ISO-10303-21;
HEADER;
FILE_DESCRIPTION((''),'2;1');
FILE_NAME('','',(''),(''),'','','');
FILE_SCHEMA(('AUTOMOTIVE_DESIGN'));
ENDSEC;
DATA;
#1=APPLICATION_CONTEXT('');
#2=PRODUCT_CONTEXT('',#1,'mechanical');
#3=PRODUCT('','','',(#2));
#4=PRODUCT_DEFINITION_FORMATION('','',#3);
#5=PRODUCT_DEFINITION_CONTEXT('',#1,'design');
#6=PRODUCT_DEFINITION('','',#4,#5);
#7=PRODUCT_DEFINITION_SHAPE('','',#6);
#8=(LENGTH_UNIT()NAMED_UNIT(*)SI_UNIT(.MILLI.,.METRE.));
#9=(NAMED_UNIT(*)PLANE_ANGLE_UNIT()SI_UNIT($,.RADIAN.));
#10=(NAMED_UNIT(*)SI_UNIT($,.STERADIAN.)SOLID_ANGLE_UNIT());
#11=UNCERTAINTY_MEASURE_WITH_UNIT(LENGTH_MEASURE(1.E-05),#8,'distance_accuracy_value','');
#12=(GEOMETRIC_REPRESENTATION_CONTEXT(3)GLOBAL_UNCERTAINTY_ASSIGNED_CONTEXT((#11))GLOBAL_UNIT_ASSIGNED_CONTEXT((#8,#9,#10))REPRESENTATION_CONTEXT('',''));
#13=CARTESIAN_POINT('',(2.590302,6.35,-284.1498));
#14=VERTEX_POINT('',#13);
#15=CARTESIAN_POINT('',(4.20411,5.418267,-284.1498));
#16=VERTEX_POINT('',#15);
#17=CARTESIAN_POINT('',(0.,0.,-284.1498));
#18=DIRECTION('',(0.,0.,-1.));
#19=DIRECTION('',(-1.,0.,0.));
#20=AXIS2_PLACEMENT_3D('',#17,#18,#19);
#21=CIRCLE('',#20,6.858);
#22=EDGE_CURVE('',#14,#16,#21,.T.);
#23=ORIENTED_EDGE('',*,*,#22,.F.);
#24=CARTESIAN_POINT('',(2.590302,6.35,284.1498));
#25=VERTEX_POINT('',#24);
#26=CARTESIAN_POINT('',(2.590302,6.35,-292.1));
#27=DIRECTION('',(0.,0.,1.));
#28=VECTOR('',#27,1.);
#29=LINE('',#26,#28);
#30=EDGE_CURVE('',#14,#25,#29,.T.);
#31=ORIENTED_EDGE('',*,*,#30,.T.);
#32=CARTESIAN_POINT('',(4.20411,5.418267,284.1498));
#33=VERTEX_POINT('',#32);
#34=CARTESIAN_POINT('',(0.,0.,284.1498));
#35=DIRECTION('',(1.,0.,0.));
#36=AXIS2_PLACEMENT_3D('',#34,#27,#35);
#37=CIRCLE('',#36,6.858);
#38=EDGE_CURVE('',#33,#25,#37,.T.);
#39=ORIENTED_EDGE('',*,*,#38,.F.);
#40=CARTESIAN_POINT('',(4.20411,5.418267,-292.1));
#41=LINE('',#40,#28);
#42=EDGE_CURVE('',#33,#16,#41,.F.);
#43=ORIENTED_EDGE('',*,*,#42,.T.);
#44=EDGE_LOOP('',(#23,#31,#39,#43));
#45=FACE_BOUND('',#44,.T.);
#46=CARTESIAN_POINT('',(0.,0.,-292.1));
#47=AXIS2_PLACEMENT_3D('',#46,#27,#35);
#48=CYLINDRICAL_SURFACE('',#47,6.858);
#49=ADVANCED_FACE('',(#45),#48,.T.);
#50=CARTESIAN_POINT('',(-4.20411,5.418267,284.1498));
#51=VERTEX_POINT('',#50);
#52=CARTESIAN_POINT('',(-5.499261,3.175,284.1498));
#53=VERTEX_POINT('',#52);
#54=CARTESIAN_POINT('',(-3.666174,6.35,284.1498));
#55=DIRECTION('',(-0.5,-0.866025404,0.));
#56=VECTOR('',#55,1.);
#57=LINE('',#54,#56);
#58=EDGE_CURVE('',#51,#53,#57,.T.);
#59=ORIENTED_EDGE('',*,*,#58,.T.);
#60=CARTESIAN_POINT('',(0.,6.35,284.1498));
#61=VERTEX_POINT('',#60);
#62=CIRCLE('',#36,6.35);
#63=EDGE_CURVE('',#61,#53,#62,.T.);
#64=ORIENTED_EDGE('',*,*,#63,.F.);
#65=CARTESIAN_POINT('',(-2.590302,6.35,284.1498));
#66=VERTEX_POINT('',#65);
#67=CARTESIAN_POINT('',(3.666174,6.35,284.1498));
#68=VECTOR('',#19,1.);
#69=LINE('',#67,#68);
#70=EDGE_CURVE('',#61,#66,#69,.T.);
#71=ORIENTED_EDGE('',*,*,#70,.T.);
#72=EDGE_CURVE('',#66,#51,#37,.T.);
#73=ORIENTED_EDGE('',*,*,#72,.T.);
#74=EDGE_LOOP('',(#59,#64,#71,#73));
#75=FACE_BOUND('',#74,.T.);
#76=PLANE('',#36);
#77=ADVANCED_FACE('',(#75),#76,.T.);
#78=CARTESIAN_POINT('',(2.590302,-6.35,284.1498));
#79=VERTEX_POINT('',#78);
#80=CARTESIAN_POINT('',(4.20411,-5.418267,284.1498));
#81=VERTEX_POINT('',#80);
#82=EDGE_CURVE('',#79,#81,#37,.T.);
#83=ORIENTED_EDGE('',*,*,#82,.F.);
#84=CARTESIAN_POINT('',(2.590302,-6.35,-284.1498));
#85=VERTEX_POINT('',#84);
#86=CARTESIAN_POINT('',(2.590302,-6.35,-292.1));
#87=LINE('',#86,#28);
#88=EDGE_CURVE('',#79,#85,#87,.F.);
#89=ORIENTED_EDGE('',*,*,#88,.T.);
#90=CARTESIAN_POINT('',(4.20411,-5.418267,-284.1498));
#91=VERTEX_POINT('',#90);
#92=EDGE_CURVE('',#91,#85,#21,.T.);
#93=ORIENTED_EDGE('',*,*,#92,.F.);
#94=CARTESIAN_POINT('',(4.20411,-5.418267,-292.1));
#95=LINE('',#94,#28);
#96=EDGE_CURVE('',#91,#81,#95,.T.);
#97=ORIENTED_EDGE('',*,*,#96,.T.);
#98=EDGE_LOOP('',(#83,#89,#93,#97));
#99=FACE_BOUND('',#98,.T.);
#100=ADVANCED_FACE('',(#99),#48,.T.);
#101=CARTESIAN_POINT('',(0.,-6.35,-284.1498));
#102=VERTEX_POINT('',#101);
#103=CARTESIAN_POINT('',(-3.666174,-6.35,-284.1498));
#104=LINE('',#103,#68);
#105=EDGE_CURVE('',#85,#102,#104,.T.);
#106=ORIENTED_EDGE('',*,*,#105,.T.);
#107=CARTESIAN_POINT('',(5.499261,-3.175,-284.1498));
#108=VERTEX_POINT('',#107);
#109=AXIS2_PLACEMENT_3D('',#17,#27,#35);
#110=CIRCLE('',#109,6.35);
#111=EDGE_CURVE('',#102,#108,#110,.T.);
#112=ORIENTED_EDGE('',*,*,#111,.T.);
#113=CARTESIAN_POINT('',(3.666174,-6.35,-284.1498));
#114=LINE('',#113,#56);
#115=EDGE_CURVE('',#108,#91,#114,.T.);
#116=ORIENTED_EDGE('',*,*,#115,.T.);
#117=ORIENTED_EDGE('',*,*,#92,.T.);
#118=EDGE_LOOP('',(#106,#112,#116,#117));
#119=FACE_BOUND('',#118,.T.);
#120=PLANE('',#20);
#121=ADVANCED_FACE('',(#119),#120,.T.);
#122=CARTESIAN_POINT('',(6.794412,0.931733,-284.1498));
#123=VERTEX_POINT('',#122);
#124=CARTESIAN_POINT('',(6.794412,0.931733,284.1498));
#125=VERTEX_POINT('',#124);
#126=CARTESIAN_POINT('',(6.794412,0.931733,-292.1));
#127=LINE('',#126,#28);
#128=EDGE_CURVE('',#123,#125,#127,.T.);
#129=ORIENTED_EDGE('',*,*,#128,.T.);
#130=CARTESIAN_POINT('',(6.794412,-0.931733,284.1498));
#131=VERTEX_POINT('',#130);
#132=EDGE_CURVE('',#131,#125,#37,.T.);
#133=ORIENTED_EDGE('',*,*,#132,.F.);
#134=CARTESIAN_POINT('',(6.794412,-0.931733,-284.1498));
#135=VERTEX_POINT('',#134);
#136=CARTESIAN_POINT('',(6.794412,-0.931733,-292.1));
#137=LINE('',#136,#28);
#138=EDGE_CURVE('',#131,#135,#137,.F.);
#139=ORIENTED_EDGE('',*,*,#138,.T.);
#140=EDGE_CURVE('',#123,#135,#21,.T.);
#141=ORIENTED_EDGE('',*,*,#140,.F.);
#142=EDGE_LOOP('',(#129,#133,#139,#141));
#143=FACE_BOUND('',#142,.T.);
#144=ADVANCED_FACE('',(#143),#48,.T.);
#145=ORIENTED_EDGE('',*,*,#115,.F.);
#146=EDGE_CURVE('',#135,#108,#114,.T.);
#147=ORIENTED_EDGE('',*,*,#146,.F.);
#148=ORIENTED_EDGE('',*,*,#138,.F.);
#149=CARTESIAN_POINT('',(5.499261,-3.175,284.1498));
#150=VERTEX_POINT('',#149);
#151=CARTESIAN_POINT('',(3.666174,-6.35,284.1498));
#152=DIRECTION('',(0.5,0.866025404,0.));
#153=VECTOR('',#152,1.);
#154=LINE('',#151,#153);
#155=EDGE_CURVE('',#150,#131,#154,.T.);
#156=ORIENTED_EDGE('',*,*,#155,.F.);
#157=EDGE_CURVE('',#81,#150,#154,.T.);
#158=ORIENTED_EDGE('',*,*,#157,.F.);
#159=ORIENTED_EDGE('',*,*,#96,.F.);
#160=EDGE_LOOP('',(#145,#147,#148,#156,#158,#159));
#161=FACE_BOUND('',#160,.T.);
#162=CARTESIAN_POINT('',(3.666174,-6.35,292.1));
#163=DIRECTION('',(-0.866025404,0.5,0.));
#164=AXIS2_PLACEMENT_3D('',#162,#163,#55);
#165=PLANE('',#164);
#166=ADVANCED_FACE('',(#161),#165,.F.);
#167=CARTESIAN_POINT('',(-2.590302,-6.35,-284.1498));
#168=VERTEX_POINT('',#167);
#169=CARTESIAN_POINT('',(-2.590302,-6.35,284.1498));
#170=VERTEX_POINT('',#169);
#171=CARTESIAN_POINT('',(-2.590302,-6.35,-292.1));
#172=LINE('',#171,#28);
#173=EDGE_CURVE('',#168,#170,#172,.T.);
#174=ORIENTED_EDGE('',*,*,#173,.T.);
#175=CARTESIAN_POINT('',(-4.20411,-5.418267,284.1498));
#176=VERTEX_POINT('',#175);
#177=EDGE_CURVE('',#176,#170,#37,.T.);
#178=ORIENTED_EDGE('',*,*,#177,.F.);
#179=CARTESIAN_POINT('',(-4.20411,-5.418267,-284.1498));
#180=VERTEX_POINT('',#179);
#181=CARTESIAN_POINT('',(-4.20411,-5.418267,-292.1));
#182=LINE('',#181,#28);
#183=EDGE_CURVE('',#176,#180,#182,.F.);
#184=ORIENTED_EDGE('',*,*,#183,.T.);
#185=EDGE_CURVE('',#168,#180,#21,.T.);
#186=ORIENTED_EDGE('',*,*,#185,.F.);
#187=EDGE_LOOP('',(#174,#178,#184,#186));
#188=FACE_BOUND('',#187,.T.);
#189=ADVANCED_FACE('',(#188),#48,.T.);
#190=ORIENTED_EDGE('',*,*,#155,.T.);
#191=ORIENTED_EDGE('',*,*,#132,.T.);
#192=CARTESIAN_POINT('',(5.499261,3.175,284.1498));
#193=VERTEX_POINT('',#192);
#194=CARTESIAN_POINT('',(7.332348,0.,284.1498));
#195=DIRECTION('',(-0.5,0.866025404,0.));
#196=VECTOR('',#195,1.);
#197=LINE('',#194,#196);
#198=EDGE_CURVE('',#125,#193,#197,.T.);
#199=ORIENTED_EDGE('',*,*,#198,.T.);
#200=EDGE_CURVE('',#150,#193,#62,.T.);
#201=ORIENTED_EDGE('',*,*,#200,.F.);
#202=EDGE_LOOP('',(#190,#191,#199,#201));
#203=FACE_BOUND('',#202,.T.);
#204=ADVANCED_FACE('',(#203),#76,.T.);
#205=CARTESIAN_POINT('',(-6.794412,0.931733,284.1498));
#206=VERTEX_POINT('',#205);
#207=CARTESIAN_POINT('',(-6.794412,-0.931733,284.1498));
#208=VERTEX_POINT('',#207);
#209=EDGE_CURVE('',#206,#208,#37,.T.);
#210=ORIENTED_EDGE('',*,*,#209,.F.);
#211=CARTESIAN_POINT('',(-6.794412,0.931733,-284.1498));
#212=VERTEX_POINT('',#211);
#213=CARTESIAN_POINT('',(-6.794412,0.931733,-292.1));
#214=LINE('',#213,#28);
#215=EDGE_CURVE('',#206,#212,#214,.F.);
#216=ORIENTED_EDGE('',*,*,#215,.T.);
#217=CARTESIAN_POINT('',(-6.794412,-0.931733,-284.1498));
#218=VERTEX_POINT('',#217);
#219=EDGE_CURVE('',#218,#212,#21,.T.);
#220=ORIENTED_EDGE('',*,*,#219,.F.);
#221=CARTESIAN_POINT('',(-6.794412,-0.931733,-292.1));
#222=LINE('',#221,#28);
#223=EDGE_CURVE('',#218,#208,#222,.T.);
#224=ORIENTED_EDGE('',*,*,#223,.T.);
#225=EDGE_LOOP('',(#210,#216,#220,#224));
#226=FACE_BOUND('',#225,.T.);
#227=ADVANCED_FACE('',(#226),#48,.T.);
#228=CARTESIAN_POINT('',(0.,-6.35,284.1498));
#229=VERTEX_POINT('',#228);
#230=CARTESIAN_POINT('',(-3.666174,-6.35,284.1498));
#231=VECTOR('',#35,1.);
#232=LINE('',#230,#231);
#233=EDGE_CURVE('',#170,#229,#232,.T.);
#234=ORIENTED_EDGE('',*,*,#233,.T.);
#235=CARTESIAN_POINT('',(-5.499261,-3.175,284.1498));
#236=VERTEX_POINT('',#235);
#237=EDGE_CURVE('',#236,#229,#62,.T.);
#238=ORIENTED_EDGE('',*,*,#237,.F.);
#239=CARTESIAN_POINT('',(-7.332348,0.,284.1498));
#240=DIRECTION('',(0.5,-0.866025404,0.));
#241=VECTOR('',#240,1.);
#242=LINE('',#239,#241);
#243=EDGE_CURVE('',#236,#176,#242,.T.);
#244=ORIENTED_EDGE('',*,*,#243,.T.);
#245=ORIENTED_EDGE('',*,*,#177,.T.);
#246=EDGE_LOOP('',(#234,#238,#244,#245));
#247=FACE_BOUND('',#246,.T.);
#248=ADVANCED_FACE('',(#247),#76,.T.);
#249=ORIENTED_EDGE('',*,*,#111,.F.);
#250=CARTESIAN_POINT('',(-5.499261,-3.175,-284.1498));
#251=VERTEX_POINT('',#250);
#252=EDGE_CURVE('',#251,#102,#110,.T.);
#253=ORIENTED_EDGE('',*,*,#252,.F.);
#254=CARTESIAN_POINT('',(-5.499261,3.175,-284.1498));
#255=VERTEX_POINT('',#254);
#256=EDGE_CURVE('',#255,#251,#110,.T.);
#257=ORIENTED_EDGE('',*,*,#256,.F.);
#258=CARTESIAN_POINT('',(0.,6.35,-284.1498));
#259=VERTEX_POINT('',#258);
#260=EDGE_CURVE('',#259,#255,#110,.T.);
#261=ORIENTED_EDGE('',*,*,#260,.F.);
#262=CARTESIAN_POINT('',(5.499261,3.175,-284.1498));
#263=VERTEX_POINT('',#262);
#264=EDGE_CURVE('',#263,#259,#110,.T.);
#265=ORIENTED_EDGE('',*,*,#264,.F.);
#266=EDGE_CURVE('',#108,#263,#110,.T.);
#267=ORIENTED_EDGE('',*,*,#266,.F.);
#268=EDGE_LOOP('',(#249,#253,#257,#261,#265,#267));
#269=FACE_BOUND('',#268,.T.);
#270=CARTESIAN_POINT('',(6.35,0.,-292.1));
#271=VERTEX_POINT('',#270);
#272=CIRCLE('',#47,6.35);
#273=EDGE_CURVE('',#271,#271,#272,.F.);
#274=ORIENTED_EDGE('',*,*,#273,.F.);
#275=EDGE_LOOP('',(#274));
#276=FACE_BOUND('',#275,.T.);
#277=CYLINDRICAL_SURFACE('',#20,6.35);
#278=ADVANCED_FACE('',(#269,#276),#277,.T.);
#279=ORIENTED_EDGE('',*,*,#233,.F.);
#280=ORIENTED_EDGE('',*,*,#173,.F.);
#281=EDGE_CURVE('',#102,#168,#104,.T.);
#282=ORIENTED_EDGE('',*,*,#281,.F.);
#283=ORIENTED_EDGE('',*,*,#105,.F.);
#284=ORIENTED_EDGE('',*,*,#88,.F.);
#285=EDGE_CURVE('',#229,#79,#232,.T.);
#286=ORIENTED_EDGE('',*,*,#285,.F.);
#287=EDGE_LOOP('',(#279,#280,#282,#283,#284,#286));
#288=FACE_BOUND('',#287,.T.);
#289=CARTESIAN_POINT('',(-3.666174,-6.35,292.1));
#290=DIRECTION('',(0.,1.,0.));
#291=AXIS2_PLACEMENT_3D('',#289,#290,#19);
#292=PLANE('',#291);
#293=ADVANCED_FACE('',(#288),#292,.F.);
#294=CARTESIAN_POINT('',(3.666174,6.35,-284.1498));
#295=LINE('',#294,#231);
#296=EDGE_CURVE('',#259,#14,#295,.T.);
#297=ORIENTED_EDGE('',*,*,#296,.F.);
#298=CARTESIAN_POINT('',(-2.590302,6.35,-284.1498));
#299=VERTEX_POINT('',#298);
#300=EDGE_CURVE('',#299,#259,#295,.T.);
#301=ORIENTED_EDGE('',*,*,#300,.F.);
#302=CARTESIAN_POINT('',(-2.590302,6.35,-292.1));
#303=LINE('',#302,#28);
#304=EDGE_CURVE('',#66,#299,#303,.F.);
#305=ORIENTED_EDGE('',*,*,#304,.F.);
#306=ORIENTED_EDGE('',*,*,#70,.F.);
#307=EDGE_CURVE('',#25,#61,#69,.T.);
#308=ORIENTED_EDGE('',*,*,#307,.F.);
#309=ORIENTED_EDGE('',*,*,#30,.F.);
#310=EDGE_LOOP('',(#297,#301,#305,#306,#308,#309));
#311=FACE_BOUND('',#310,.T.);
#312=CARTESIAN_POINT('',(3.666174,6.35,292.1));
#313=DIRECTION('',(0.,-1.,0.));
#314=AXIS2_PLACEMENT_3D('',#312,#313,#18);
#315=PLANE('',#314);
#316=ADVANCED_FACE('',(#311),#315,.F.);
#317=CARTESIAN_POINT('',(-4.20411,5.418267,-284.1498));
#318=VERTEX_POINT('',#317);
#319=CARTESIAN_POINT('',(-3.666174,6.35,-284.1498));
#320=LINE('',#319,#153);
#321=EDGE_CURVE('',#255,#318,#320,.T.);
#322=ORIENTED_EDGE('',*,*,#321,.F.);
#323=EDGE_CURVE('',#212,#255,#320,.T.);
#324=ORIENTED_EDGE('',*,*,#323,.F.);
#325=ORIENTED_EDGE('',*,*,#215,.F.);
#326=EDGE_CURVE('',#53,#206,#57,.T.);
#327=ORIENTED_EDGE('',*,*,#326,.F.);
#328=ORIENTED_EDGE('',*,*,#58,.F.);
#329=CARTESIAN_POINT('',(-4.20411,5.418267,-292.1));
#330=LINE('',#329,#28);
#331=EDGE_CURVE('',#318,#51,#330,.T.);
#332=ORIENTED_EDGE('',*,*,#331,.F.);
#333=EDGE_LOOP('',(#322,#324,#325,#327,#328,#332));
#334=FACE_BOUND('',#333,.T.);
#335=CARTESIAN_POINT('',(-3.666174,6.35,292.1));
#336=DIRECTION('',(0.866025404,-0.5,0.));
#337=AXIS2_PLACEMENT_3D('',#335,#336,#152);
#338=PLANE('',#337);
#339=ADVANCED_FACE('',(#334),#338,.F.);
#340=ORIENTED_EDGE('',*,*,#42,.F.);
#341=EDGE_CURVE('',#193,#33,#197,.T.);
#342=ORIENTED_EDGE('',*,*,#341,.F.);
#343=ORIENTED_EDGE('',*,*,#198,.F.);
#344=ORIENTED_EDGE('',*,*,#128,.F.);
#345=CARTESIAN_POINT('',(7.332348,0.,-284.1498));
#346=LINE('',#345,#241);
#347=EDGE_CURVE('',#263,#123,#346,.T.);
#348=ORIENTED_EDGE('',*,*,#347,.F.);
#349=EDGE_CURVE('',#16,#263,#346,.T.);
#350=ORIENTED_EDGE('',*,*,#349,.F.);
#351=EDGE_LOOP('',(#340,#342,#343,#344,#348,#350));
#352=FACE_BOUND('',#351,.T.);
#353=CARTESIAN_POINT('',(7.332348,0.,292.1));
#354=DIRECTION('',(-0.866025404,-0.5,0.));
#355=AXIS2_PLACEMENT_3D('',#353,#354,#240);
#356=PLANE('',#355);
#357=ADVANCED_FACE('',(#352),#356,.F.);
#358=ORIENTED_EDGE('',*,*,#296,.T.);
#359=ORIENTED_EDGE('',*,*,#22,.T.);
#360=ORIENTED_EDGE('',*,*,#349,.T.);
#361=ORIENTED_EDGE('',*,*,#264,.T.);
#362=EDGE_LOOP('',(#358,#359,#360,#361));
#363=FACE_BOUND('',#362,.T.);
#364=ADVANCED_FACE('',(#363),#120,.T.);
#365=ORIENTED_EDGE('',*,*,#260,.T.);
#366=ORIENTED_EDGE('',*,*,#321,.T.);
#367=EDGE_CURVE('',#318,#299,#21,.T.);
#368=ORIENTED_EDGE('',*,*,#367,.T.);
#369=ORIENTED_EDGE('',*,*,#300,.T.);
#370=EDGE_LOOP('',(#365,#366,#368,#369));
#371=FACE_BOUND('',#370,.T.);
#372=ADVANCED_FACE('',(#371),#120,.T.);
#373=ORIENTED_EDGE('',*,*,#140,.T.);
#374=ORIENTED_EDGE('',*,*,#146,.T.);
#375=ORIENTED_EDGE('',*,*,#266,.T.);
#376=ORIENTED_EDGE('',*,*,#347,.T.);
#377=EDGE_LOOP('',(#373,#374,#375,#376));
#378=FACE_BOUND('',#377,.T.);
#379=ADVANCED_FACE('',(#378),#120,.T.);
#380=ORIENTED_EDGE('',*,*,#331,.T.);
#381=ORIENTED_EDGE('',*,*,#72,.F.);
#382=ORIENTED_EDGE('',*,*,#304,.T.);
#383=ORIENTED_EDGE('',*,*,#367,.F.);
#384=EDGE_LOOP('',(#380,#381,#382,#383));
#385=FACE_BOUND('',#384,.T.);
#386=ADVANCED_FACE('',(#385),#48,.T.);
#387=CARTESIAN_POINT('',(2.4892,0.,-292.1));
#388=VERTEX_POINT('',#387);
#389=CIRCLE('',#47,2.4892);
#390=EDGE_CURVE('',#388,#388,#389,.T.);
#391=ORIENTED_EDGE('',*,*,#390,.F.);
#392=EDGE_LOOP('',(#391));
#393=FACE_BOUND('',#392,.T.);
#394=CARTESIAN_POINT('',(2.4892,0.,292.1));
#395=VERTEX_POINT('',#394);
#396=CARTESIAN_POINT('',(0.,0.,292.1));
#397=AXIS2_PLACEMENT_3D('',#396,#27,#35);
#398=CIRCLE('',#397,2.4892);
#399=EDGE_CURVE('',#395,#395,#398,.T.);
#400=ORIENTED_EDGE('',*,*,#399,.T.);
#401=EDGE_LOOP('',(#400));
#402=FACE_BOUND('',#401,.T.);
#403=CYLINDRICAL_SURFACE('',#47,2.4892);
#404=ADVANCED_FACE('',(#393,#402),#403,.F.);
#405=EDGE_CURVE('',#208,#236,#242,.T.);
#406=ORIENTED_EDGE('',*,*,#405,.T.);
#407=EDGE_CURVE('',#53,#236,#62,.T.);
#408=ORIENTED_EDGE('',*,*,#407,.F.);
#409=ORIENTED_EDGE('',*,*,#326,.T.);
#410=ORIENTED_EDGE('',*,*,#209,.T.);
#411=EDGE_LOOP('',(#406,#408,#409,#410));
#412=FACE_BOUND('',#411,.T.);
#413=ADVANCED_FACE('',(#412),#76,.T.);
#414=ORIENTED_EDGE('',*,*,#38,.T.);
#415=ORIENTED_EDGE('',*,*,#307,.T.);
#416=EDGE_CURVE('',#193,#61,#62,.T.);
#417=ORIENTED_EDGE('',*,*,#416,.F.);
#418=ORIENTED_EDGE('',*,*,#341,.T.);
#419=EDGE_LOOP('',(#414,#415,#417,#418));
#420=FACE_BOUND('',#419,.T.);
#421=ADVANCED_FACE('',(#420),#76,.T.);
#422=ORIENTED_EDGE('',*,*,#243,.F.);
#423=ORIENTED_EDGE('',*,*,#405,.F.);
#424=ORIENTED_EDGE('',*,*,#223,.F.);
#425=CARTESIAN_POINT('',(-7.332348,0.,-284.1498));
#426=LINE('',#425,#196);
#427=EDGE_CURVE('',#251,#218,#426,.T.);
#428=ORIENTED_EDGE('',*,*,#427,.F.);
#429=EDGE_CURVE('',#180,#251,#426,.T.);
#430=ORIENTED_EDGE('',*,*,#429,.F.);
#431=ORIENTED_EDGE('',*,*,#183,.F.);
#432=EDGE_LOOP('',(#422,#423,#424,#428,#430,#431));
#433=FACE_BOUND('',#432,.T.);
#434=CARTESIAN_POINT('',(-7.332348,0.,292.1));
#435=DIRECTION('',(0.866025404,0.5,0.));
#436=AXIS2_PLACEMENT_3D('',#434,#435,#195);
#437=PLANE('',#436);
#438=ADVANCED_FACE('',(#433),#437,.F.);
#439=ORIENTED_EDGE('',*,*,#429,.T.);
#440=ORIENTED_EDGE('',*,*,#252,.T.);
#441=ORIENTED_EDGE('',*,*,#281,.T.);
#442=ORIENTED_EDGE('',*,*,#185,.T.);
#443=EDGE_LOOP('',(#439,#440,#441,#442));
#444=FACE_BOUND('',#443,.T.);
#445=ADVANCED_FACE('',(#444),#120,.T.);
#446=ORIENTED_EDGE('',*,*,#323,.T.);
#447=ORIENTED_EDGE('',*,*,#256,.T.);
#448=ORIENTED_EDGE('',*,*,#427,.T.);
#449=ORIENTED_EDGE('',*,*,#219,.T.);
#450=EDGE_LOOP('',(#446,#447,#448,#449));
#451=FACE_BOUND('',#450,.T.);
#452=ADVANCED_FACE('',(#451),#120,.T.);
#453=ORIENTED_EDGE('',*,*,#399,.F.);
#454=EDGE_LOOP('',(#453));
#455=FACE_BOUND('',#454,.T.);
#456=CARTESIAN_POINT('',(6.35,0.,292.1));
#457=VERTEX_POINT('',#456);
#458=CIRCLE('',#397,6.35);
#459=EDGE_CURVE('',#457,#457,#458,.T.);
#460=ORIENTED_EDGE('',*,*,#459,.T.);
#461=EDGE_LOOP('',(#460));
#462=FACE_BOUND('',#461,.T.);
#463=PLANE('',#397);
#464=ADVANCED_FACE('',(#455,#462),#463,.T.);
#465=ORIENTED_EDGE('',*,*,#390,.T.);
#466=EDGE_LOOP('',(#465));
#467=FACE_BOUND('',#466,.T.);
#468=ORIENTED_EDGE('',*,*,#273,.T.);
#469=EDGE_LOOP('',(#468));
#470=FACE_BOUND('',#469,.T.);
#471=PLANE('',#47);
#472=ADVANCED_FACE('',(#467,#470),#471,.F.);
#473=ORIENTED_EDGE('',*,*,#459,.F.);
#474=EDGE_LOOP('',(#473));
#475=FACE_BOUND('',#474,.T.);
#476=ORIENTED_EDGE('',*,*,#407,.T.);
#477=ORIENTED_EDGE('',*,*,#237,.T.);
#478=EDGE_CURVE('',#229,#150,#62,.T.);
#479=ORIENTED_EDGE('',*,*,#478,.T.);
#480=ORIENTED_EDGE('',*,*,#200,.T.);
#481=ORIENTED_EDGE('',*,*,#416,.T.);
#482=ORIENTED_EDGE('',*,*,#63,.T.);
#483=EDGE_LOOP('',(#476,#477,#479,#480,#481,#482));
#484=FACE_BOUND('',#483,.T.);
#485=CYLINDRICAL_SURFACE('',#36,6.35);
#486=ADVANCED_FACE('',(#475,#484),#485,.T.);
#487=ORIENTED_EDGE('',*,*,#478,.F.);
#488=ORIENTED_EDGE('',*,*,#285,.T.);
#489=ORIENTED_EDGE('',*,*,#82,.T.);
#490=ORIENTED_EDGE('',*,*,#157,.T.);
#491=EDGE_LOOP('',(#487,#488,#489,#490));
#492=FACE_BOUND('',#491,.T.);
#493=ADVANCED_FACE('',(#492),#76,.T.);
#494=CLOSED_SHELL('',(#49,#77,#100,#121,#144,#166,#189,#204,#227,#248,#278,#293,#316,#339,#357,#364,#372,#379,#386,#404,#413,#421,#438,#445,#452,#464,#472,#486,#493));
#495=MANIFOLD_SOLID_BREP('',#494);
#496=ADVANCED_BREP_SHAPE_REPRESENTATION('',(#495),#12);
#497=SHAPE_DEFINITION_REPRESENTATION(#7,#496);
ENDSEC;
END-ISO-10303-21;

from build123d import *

# Parameters (mm, degrees)
BOSS_EXTRUDE1_DEPTH = 292.1
SKETCH3_OUTSIDE_W   = 133.568
SKETCH3_OUTSIDE_H   = 131.604
SKETCH3_OUTSIDE_R   = 6.35
CUT_EXTRUDE2_DEPTH  = 7.9502
SKETCH4_OUTSIDE_W   = 133.568
SKETCH4_OUTSIDE_H   = 131.604
SKETCH4_OUTSIDE_R   = 6.858
CUT_EXTRUDE3_DEPTH  = 585.280519813
SKETCH5_R           = 2.4892
CUT_EXTRUDE4_DEPTH  = 585.274759564


with BuildPart() as part:
    # Sketch1 → Boss-Extrude1 (new, symmetric)
    with BuildSketch(Plane.XY):
        Polygon((7.332348419, 0), (3.666174209, 6.35), (-3.666174209, 6.35), (-7.332348419, 0), (-3.666174209, -6.35), (3.666174209, -6.35), align=None)
    extrude(amount=BOSS_EXTRUDE1_DEPTH, both=True)

    # Sketch3 outside → Cut-Extrude2 (cut)
    with BuildSketch(Plane.XY.offset(292.1)):
        Rectangle(SKETCH3_OUTSIDE_W, SKETCH3_OUTSIDE_H)
        Circle(SKETCH3_OUTSIDE_R, mode=Mode.SUBTRACT)
    cut_extrude2 = extrude(amount=-CUT_EXTRUDE2_DEPTH, mode=Mode.SUBTRACT)

    # Mirror1: Cut-Extrude2 across plane
    add(cut_extrude2.mirror(Plane.XY), mode=Mode.SUBTRACT)

    # Sketch4 outside → Cut-Extrude3 (cut, through all)
    with BuildSketch(Plane.XY.offset(292.1)):
        Rectangle(SKETCH4_OUTSIDE_W, SKETCH4_OUTSIDE_H)
        Circle(SKETCH4_OUTSIDE_R, mode=Mode.SUBTRACT)
    extrude(amount=-CUT_EXTRUDE3_DEPTH, mode=Mode.SUBTRACT)

    # Sketch5 → Cut-Extrude4 (cut, through all)
    with BuildSketch(Plane.XY.offset(292.1)):
        Circle(SKETCH5_R)
    extrude(amount=-CUT_EXTRUDE4_DEPTH, mode=Mode.SUBTRACT)


solid = part.part
